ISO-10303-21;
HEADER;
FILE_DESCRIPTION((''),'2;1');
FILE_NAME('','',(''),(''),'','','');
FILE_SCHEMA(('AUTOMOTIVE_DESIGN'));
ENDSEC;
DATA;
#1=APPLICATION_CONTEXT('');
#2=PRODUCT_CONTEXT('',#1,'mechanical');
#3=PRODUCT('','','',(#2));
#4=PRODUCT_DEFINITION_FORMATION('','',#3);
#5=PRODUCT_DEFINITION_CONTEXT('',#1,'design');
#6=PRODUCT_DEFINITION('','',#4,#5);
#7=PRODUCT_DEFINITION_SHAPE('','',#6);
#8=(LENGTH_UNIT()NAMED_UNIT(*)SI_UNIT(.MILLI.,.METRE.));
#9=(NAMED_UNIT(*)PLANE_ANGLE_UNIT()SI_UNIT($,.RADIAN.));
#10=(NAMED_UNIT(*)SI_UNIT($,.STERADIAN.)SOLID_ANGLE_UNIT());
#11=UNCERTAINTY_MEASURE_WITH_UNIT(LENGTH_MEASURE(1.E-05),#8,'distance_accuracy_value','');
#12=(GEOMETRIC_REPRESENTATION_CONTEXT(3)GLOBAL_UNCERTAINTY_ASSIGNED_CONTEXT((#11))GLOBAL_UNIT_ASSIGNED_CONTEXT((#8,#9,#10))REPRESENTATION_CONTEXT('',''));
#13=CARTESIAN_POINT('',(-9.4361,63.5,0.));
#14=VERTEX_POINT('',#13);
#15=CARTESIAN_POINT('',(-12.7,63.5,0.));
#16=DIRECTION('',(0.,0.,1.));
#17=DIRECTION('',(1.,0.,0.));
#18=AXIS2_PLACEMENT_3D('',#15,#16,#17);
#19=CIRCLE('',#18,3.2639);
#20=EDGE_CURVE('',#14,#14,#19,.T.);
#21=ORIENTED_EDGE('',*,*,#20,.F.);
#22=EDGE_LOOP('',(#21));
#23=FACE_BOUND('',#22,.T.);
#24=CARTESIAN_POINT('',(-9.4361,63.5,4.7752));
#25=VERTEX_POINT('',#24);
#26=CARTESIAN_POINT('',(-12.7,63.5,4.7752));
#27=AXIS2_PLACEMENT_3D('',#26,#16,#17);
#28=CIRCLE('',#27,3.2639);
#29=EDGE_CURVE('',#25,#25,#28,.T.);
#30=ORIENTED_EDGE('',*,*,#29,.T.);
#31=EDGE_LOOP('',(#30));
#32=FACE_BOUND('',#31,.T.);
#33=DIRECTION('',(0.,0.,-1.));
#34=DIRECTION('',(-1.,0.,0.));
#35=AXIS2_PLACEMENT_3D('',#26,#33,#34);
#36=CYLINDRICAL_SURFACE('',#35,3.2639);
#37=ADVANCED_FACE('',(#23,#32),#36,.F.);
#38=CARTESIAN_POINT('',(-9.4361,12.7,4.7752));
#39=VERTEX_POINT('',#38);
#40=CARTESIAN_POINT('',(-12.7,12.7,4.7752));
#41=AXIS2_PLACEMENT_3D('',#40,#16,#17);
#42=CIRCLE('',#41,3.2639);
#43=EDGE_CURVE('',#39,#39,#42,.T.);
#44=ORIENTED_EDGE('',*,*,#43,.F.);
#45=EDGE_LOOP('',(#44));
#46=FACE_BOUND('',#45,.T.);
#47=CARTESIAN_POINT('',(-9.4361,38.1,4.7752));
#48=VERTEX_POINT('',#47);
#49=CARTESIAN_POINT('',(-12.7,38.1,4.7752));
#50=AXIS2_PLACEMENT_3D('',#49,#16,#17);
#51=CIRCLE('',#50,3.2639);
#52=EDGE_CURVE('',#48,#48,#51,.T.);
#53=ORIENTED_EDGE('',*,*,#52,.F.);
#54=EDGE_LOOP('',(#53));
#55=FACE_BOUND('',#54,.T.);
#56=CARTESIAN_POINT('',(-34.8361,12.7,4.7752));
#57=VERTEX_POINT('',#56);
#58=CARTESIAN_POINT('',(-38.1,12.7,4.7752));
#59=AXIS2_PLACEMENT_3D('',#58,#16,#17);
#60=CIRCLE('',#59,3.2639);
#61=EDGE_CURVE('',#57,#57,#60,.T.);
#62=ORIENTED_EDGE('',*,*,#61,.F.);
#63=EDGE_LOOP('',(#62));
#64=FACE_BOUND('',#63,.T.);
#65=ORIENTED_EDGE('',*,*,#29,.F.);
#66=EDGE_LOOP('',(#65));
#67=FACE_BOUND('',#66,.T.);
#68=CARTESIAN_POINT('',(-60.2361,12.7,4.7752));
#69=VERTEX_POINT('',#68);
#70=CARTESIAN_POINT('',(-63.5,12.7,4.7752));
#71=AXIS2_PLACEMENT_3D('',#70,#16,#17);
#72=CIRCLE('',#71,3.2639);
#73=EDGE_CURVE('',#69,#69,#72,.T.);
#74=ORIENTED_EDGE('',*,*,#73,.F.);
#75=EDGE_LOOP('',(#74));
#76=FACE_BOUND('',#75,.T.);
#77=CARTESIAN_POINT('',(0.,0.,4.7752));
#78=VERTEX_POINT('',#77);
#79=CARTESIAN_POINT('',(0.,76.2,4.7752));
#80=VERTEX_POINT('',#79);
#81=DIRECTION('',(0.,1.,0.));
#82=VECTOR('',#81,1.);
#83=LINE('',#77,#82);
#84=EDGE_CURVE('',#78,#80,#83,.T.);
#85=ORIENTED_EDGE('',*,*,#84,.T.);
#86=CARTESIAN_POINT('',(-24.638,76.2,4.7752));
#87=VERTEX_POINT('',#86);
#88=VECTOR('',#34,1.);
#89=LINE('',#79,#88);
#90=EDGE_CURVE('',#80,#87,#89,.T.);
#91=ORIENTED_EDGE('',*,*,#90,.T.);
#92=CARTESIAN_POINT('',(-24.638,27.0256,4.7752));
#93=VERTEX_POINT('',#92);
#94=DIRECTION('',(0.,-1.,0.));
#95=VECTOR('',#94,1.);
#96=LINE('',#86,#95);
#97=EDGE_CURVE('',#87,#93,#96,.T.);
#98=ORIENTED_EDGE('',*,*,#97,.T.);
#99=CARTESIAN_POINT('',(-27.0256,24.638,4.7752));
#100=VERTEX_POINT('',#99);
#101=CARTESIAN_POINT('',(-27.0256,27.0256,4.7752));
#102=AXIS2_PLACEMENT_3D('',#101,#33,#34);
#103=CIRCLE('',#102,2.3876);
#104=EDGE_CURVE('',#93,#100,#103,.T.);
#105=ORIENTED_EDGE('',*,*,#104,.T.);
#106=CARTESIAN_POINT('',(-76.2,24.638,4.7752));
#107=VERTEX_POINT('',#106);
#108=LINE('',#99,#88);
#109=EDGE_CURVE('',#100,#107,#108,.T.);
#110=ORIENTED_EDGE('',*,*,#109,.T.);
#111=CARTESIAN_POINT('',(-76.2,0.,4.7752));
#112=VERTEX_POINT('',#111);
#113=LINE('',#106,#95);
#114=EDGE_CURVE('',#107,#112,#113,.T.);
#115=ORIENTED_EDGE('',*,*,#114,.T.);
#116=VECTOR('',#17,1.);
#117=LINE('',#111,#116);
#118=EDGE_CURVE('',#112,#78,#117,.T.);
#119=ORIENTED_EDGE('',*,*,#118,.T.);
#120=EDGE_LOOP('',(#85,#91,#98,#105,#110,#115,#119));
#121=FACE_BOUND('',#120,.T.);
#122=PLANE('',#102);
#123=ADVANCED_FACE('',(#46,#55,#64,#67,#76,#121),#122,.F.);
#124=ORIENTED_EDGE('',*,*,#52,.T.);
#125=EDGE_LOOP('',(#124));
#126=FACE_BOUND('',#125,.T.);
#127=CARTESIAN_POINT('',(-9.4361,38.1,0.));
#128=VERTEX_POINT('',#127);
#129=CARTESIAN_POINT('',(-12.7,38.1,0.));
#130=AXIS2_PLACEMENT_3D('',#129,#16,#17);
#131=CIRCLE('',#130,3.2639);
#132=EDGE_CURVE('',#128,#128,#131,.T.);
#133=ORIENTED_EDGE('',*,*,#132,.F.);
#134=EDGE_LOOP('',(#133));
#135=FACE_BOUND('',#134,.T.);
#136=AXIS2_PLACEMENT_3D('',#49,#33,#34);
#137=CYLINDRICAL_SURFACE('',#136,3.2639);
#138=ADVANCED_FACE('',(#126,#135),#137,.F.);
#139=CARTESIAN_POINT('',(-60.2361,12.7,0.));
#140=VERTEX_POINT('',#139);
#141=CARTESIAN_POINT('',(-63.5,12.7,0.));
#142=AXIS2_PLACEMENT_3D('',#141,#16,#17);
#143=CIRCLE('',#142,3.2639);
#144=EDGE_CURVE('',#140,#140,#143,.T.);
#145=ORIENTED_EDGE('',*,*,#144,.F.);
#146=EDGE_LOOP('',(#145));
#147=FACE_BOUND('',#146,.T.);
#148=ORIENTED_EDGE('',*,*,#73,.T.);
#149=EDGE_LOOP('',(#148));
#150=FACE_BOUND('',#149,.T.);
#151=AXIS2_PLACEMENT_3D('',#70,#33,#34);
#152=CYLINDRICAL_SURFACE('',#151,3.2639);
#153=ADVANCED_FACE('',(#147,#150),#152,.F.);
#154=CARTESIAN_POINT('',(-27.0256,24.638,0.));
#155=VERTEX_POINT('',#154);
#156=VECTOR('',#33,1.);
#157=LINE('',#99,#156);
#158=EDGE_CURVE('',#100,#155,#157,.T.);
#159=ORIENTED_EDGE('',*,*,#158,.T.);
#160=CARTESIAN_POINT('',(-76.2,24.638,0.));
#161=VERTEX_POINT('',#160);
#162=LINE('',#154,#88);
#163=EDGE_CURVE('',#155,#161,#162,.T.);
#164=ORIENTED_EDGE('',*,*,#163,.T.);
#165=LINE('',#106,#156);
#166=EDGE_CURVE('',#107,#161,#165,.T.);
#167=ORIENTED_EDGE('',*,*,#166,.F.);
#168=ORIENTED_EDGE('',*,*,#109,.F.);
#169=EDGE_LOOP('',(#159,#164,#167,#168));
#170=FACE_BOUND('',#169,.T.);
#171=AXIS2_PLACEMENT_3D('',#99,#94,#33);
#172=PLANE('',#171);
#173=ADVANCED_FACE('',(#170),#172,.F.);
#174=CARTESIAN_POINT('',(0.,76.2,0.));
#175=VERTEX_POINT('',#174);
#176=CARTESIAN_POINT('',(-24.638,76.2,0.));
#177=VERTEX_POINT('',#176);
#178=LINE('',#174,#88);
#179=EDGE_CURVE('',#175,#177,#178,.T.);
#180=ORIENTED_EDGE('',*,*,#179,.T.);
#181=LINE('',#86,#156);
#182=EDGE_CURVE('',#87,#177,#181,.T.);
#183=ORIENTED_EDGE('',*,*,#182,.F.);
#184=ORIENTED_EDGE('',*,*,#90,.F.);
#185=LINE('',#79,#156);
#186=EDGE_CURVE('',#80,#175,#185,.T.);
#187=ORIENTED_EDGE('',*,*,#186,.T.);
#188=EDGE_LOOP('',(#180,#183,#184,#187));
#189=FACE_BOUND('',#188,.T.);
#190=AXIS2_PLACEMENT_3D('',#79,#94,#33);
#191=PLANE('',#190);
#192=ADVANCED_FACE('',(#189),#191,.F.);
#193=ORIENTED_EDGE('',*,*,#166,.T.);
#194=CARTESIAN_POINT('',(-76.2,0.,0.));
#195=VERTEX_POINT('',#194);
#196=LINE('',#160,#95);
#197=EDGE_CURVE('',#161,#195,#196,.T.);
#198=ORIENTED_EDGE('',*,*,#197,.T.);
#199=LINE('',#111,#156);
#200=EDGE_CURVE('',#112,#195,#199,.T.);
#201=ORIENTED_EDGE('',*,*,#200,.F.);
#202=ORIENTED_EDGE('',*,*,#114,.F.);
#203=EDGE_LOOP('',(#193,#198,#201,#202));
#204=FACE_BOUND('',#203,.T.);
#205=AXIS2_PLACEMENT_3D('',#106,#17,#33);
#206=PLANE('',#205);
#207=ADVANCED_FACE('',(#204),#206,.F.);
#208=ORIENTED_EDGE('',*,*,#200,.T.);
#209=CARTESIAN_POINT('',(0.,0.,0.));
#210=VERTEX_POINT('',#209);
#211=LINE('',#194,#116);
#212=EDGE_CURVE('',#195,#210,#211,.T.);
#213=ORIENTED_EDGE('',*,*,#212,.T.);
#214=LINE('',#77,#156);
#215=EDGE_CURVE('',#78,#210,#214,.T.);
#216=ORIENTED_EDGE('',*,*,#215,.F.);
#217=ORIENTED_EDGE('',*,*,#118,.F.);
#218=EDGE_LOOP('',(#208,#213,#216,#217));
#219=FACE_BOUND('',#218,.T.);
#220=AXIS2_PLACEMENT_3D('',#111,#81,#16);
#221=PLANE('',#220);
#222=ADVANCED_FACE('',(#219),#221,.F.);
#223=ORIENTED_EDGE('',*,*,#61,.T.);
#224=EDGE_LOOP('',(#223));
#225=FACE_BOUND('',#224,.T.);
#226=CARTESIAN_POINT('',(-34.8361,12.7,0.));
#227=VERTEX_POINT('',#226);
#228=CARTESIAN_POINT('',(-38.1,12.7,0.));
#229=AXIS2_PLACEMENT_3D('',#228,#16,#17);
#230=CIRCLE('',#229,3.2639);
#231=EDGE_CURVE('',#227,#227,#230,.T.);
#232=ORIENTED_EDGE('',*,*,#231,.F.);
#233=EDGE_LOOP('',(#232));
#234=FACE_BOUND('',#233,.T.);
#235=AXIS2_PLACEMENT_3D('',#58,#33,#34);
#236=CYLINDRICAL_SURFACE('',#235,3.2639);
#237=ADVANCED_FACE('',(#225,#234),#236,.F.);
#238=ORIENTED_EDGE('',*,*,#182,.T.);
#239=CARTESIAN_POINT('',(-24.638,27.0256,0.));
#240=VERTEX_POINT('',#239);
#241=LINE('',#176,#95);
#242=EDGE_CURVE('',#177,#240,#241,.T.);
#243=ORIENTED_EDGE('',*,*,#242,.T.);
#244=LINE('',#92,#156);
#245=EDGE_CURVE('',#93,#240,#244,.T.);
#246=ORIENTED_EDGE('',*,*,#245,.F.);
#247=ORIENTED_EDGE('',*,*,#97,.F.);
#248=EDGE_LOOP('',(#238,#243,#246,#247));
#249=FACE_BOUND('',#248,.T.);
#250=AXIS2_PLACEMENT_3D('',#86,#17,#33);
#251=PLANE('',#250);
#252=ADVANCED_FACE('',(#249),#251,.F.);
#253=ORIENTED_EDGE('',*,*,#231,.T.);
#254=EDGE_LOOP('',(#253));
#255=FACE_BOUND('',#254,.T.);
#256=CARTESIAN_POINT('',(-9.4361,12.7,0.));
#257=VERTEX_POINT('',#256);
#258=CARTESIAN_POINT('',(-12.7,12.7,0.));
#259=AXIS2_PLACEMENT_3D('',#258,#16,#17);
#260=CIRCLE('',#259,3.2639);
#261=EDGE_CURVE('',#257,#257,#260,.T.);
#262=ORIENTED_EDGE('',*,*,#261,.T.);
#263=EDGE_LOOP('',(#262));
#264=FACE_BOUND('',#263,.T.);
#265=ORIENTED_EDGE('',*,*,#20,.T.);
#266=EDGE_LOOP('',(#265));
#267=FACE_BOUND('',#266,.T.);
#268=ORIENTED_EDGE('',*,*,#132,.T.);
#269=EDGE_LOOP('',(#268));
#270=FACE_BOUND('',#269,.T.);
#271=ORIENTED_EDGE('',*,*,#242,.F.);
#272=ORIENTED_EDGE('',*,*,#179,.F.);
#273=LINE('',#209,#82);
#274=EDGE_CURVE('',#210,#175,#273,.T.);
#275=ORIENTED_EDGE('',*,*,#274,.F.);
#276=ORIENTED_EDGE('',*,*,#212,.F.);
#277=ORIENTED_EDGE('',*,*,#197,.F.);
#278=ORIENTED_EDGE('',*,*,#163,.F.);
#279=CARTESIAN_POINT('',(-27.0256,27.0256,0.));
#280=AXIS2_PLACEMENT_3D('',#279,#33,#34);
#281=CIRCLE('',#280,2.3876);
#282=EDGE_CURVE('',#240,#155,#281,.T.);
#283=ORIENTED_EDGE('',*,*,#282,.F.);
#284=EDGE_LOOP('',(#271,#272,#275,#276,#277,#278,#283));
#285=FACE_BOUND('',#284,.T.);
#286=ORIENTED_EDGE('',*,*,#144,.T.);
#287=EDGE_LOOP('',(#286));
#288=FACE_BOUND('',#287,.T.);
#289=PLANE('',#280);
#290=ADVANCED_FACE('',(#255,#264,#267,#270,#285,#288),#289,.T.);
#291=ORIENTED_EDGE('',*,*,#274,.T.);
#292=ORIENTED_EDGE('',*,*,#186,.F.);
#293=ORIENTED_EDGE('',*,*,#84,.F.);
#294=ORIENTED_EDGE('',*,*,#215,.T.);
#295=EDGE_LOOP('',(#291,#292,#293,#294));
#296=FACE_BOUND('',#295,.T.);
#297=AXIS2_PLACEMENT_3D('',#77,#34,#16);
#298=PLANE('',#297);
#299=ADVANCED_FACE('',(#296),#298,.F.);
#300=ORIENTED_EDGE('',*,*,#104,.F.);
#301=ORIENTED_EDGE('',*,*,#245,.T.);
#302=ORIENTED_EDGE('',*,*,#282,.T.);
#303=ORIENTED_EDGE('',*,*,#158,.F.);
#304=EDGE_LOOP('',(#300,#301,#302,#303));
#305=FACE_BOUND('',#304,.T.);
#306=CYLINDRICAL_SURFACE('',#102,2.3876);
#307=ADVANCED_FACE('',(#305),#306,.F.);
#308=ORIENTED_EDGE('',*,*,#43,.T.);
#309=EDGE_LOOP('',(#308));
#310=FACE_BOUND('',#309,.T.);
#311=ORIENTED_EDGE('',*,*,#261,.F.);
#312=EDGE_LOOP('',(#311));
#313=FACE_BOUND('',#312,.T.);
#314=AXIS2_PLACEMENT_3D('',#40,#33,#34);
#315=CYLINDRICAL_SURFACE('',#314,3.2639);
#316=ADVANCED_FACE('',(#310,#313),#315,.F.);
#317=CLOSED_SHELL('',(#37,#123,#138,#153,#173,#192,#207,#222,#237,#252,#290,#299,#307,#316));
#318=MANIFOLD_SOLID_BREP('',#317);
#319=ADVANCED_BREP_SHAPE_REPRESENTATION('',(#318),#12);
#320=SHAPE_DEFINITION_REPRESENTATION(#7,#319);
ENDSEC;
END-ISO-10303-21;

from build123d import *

# Parameters (mm, degrees)
SKETCH1_R           = 3.2639
BOSS_EXTRUDE1_DEPTH = 4.7752


with BuildPart() as part:
    # Sketch1 → Boss-Extrude1 (new body)
    with BuildSketch(Plane.XY):
        with BuildLine():
            Line((-76.2, 0), (0, 0))
            Line((0, 0), (0, 76.2))
            Line((0, 76.2), (-24.638, 76.2))
            Line((-24.638, 76.2), (-24.638, 27.0256))
            ThreePointArc((-24.638, 27.0256), (-25.337311849, 25.337311849), (-27.0256, 24.638))
            Line((-27.0256, 24.638), (-76.2, 24.638))
            Line((-76.2, 24.638), (-76.2, 0))
        make_face()
        with Locations((-12.7, 38.1)):
            Circle(SKETCH1_R, mode=Mode.SUBTRACT)
        with Locations((-12.7, 63.5)):
            Circle(SKETCH1_R, mode=Mode.SUBTRACT)
        with Locations((-12.7, 12.7)):
            Circle(SKETCH1_R, mode=Mode.SUBTRACT)
        with Locations((-38.1, 12.7)):
            Circle(SKETCH1_R, mode=Mode.SUBTRACT)
        with Locations((-63.5, 12.7)):
            Circle(SKETCH1_R, mode=Mode.SUBTRACT)
    extrude(amount=BOSS_EXTRUDE1_DEPTH)


solid = part.part
